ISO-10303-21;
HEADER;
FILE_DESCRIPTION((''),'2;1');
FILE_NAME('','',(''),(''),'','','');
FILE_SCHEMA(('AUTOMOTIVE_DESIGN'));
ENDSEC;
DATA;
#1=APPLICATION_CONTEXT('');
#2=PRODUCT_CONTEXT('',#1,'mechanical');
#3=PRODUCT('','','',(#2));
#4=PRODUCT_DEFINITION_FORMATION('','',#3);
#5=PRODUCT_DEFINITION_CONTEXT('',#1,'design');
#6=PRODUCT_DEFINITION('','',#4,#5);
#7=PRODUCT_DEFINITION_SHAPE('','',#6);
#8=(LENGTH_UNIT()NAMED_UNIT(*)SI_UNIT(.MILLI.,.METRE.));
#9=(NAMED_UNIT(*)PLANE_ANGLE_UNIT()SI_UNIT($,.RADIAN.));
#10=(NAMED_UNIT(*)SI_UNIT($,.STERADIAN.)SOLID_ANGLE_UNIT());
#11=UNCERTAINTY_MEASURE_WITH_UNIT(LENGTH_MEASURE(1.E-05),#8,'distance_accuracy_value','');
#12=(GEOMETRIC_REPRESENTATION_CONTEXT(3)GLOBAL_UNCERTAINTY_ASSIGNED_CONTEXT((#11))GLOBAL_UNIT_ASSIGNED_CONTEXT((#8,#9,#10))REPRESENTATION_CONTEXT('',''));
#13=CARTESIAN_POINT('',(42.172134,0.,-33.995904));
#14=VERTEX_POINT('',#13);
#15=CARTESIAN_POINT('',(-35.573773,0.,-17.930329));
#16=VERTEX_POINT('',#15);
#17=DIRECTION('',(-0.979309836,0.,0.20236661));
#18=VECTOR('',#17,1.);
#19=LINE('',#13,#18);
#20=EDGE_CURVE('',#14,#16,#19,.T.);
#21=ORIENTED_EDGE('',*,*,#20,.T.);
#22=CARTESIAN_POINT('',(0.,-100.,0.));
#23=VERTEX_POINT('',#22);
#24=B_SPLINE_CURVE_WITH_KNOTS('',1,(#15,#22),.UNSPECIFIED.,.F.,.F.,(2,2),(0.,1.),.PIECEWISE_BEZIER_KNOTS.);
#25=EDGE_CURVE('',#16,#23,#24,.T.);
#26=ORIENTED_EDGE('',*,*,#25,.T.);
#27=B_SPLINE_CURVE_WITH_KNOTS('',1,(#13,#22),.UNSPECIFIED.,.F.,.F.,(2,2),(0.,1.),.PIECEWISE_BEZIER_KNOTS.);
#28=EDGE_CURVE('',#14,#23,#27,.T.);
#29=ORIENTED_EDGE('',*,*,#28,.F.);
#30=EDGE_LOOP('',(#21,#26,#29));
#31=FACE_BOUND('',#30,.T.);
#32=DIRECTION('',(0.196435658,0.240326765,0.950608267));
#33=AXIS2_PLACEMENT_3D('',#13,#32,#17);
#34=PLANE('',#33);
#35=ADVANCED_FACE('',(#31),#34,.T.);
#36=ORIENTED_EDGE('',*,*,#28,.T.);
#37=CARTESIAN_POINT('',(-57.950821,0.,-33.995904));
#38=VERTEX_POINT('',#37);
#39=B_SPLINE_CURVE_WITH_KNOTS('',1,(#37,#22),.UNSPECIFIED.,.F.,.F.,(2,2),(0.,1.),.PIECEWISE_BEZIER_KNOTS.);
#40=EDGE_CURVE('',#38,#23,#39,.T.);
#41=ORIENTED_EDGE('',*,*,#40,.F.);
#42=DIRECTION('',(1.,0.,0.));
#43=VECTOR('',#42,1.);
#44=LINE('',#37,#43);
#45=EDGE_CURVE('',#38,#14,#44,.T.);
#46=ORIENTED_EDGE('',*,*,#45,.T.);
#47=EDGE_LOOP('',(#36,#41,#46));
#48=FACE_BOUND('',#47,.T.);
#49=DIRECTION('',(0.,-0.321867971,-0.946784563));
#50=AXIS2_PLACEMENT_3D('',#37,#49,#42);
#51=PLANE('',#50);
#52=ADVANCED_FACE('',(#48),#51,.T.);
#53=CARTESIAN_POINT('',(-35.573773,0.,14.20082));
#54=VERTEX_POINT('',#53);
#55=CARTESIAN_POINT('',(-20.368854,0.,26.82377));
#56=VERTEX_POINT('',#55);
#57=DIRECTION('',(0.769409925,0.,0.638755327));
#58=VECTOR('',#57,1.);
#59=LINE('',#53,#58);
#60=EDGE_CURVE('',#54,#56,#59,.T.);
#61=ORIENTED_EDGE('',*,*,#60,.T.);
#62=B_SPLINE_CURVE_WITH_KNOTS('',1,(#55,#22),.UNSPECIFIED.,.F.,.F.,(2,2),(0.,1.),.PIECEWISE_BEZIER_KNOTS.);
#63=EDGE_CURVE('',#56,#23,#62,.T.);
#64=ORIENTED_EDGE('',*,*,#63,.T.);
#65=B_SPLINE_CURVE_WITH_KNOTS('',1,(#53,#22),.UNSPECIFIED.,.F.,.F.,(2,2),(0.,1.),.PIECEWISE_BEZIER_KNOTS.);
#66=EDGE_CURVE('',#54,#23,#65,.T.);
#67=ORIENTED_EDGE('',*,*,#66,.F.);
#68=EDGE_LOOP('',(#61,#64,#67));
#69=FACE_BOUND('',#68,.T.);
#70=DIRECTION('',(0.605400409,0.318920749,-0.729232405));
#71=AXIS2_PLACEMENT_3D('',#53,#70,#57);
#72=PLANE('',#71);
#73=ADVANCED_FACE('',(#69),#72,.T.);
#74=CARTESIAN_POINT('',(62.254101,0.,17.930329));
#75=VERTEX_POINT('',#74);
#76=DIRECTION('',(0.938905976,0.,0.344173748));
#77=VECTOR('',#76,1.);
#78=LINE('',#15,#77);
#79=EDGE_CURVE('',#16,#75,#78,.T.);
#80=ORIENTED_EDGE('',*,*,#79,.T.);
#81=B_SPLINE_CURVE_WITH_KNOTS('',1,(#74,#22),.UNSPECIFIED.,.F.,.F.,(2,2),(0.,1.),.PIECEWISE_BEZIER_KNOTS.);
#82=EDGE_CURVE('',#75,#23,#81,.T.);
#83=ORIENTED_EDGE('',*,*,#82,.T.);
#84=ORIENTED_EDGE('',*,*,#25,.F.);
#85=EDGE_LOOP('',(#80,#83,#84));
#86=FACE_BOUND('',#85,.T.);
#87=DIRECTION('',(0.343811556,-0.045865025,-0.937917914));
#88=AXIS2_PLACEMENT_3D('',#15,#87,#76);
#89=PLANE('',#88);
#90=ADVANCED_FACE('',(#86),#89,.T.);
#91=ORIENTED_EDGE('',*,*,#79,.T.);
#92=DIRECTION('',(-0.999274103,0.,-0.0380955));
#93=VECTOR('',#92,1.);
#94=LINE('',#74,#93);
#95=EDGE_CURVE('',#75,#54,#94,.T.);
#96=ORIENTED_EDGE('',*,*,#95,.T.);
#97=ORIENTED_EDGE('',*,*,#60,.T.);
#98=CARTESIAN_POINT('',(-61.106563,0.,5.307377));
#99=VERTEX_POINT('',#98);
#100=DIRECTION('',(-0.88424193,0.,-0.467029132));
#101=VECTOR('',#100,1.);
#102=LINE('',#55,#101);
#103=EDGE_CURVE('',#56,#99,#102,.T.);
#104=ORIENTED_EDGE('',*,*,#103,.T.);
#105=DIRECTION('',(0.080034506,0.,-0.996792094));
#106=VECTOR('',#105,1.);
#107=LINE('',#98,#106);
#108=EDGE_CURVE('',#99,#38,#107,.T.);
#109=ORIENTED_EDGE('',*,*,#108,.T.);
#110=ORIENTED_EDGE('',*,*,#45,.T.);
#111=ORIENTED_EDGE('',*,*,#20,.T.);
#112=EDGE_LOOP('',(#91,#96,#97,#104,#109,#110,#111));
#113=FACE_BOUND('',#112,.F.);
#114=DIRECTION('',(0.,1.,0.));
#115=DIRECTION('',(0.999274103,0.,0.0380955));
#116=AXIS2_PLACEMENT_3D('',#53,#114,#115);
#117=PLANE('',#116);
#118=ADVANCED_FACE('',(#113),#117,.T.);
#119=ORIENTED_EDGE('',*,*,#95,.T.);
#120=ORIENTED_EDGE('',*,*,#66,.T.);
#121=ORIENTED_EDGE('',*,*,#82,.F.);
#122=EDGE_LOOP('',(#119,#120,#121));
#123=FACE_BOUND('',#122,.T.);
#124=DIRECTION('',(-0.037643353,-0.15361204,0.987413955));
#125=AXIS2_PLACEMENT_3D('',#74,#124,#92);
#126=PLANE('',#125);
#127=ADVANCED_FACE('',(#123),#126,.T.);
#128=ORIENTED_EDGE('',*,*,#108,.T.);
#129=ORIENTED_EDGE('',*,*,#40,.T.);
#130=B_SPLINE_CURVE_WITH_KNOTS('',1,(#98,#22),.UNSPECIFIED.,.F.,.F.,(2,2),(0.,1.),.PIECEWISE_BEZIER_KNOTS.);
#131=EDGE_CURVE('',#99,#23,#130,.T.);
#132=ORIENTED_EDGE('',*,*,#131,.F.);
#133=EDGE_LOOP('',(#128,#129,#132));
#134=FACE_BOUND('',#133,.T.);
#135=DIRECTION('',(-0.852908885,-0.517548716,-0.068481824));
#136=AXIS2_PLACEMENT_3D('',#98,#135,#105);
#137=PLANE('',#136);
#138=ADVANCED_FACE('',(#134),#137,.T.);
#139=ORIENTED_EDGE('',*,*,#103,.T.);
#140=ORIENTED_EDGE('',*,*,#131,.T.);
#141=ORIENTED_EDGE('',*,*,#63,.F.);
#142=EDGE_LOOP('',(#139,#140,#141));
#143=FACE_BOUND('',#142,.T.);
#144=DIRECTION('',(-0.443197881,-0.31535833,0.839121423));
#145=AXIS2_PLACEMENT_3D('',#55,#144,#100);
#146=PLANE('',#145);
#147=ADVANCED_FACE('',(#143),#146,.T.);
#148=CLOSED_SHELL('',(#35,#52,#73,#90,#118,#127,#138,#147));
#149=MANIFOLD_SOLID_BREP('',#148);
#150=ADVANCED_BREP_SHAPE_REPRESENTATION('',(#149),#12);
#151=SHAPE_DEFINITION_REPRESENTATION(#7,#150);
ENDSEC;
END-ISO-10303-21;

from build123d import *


with BuildPart() as f3:
    # F0 (on Front) → F3 section 0
    with BuildSketch(Plane.XZ, mode=Mode.PRIVATE) as f3_s0:
        Polygon((-35.573773, 14.20082), (-20.368854, 26.82377), (-61.106563, 5.307377), (-57.950821, -33.995904), (42.172134, -33.995904), (-35.573773, -17.930329), (62.254101, 17.930329), align=None)
    loft([f3_s0.sketch, Vertex(0, -100, 0)])


solid = f3.part
